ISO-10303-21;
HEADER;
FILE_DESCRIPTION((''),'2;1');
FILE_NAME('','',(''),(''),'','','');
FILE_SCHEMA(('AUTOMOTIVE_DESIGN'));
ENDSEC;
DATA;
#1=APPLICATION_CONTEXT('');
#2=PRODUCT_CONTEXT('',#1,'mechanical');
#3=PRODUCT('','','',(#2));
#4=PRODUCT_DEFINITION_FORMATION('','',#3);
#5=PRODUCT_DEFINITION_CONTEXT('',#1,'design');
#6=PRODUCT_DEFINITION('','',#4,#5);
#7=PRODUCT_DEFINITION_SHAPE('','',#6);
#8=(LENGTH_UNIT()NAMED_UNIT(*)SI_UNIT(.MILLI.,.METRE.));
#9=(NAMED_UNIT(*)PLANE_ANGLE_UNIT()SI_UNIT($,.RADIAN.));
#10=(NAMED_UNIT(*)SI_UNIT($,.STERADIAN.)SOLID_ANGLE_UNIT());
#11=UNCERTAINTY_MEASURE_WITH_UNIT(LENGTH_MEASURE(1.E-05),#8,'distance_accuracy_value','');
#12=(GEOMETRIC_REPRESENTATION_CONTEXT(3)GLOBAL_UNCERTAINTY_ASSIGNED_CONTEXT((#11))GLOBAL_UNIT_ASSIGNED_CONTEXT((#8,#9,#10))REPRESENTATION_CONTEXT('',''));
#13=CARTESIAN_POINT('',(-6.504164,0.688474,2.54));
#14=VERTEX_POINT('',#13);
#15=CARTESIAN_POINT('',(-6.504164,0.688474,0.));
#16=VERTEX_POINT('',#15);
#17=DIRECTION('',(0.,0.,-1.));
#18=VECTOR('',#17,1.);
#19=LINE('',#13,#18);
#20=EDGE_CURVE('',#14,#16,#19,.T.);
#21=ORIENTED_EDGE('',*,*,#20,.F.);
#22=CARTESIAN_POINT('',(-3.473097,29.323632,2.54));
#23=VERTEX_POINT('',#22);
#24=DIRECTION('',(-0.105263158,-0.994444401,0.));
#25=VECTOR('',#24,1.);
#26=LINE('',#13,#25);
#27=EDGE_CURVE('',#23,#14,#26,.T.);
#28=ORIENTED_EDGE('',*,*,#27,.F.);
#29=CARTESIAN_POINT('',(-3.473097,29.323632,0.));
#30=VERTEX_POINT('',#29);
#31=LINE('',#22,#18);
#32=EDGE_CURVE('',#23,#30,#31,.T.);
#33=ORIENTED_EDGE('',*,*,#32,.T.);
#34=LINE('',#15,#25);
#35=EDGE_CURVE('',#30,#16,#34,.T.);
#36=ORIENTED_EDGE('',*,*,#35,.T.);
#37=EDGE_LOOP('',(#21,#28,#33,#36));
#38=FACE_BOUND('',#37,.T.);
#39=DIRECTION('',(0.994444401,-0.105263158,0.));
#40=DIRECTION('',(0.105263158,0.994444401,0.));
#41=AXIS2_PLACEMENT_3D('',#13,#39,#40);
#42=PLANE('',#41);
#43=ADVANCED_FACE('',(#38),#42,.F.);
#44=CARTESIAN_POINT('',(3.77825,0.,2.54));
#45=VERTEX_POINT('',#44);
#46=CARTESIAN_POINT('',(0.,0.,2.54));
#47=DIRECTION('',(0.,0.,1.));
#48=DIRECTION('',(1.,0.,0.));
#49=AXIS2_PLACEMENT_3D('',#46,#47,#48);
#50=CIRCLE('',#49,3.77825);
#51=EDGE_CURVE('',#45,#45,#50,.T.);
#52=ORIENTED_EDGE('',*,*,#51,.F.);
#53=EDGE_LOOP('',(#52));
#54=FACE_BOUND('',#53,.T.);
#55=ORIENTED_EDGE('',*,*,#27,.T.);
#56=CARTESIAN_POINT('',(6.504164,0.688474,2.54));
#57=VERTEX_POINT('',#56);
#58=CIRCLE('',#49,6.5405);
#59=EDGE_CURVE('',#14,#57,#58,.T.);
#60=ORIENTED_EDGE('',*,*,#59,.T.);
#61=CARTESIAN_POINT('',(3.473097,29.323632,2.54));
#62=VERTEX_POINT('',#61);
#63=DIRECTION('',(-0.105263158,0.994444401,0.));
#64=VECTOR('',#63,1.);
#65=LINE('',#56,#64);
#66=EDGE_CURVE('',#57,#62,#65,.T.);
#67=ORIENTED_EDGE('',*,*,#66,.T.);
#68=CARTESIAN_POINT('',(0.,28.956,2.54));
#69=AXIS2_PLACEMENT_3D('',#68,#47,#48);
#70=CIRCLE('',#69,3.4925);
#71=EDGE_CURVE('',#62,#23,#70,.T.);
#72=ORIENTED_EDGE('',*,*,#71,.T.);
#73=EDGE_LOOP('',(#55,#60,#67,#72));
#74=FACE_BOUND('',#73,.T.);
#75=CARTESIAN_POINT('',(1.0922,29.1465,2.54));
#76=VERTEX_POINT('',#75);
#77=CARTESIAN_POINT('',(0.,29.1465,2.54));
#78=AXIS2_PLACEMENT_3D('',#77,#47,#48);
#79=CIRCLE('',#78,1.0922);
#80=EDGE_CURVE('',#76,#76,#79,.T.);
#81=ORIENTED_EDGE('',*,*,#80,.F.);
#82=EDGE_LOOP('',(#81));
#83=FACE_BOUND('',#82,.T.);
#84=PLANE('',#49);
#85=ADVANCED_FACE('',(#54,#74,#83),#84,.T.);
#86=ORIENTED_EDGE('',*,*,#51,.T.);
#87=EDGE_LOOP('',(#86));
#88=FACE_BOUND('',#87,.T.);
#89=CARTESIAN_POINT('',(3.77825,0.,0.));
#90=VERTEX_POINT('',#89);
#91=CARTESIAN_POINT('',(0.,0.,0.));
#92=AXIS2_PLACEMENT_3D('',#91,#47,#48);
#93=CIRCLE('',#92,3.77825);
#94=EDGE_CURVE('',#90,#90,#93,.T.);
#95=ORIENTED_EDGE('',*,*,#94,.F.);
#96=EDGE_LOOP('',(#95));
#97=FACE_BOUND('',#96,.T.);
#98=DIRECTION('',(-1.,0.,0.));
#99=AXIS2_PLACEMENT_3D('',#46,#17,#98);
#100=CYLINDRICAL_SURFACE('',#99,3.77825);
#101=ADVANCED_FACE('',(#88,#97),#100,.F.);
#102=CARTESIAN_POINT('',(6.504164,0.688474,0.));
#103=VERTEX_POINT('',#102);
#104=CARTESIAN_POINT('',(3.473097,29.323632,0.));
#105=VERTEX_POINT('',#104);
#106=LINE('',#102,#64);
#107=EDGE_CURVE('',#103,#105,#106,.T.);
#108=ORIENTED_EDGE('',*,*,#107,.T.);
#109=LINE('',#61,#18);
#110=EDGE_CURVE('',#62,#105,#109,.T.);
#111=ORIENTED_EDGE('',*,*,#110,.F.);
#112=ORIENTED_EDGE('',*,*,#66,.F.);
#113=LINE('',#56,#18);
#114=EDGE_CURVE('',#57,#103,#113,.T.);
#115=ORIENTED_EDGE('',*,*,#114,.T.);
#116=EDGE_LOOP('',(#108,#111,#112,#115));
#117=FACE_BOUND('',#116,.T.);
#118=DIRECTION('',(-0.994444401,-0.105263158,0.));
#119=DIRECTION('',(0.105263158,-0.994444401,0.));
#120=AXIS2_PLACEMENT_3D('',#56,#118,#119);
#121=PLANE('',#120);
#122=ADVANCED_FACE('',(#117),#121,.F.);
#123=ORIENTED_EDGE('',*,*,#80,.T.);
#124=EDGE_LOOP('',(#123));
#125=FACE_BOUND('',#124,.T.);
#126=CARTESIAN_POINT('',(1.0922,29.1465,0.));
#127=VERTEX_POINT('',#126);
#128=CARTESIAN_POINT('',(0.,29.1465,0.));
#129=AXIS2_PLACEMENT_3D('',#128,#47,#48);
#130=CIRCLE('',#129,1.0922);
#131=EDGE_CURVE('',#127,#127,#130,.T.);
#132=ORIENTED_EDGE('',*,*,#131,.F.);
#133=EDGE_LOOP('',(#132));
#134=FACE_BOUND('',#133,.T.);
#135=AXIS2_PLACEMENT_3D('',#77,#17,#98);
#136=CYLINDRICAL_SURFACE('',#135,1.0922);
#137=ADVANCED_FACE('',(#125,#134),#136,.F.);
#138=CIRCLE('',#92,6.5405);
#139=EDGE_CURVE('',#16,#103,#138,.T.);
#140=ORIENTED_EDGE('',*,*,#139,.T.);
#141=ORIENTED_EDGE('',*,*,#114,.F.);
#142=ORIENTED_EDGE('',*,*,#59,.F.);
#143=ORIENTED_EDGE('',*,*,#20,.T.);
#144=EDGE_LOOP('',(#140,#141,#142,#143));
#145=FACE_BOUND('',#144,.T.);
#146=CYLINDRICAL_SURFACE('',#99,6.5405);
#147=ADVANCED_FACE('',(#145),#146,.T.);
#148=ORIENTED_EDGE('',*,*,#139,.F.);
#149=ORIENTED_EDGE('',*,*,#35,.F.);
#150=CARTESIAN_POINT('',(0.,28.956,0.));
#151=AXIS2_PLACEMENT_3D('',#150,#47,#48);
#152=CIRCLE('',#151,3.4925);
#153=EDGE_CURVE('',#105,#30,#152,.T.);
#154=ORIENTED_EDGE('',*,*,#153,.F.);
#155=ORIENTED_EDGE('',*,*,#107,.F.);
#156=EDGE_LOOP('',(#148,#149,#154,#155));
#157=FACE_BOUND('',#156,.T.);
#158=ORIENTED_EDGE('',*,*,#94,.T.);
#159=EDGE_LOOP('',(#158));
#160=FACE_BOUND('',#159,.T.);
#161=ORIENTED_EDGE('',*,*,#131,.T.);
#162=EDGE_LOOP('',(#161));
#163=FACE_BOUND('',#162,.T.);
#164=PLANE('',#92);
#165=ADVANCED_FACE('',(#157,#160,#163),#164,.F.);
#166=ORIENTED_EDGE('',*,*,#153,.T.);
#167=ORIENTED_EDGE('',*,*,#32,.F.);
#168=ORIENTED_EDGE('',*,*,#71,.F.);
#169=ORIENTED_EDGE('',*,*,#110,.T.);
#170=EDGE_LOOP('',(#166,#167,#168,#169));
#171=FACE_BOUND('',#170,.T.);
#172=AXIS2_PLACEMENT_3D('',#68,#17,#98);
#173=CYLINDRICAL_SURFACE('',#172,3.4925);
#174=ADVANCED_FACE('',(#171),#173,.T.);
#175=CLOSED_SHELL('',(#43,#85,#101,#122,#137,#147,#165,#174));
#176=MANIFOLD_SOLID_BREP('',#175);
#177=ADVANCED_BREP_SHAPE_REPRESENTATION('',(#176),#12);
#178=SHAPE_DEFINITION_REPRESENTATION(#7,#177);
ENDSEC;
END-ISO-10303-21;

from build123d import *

# Parameters (mm, degrees)
SKETCH1_R           = 3.77825
SKETCH1_R_2         = 1.0922
BOSS_EXTRUDE1_DEPTH = 2.54


with BuildPart() as part:
    # Sketch1 → Boss-Extrude1 (new body)
    with BuildSketch(Plane.XY):
        with BuildLine():
            Line((-6.504163608, 0.688473684), (-3.473097072, 29.323631579))
            ThreePointArc((-3.473097072, 29.323631579), (0, 32.4485), (3.473097072, 29.323631579))
            Line((3.473097072, 29.323631579), (6.504163608, 0.688473684))
            ThreePointArc((6.504163608, 0.688473684), (0, -6.5405), (-6.504163608, 0.688473684))
        make_face()
        Circle(SKETCH1_R, mode=Mode.SUBTRACT)
        with Locations((0, 29.1465)):
            Circle(SKETCH1_R_2, mode=Mode.SUBTRACT)
    extrude(amount=BOSS_EXTRUDE1_DEPTH)


solid = part.part
